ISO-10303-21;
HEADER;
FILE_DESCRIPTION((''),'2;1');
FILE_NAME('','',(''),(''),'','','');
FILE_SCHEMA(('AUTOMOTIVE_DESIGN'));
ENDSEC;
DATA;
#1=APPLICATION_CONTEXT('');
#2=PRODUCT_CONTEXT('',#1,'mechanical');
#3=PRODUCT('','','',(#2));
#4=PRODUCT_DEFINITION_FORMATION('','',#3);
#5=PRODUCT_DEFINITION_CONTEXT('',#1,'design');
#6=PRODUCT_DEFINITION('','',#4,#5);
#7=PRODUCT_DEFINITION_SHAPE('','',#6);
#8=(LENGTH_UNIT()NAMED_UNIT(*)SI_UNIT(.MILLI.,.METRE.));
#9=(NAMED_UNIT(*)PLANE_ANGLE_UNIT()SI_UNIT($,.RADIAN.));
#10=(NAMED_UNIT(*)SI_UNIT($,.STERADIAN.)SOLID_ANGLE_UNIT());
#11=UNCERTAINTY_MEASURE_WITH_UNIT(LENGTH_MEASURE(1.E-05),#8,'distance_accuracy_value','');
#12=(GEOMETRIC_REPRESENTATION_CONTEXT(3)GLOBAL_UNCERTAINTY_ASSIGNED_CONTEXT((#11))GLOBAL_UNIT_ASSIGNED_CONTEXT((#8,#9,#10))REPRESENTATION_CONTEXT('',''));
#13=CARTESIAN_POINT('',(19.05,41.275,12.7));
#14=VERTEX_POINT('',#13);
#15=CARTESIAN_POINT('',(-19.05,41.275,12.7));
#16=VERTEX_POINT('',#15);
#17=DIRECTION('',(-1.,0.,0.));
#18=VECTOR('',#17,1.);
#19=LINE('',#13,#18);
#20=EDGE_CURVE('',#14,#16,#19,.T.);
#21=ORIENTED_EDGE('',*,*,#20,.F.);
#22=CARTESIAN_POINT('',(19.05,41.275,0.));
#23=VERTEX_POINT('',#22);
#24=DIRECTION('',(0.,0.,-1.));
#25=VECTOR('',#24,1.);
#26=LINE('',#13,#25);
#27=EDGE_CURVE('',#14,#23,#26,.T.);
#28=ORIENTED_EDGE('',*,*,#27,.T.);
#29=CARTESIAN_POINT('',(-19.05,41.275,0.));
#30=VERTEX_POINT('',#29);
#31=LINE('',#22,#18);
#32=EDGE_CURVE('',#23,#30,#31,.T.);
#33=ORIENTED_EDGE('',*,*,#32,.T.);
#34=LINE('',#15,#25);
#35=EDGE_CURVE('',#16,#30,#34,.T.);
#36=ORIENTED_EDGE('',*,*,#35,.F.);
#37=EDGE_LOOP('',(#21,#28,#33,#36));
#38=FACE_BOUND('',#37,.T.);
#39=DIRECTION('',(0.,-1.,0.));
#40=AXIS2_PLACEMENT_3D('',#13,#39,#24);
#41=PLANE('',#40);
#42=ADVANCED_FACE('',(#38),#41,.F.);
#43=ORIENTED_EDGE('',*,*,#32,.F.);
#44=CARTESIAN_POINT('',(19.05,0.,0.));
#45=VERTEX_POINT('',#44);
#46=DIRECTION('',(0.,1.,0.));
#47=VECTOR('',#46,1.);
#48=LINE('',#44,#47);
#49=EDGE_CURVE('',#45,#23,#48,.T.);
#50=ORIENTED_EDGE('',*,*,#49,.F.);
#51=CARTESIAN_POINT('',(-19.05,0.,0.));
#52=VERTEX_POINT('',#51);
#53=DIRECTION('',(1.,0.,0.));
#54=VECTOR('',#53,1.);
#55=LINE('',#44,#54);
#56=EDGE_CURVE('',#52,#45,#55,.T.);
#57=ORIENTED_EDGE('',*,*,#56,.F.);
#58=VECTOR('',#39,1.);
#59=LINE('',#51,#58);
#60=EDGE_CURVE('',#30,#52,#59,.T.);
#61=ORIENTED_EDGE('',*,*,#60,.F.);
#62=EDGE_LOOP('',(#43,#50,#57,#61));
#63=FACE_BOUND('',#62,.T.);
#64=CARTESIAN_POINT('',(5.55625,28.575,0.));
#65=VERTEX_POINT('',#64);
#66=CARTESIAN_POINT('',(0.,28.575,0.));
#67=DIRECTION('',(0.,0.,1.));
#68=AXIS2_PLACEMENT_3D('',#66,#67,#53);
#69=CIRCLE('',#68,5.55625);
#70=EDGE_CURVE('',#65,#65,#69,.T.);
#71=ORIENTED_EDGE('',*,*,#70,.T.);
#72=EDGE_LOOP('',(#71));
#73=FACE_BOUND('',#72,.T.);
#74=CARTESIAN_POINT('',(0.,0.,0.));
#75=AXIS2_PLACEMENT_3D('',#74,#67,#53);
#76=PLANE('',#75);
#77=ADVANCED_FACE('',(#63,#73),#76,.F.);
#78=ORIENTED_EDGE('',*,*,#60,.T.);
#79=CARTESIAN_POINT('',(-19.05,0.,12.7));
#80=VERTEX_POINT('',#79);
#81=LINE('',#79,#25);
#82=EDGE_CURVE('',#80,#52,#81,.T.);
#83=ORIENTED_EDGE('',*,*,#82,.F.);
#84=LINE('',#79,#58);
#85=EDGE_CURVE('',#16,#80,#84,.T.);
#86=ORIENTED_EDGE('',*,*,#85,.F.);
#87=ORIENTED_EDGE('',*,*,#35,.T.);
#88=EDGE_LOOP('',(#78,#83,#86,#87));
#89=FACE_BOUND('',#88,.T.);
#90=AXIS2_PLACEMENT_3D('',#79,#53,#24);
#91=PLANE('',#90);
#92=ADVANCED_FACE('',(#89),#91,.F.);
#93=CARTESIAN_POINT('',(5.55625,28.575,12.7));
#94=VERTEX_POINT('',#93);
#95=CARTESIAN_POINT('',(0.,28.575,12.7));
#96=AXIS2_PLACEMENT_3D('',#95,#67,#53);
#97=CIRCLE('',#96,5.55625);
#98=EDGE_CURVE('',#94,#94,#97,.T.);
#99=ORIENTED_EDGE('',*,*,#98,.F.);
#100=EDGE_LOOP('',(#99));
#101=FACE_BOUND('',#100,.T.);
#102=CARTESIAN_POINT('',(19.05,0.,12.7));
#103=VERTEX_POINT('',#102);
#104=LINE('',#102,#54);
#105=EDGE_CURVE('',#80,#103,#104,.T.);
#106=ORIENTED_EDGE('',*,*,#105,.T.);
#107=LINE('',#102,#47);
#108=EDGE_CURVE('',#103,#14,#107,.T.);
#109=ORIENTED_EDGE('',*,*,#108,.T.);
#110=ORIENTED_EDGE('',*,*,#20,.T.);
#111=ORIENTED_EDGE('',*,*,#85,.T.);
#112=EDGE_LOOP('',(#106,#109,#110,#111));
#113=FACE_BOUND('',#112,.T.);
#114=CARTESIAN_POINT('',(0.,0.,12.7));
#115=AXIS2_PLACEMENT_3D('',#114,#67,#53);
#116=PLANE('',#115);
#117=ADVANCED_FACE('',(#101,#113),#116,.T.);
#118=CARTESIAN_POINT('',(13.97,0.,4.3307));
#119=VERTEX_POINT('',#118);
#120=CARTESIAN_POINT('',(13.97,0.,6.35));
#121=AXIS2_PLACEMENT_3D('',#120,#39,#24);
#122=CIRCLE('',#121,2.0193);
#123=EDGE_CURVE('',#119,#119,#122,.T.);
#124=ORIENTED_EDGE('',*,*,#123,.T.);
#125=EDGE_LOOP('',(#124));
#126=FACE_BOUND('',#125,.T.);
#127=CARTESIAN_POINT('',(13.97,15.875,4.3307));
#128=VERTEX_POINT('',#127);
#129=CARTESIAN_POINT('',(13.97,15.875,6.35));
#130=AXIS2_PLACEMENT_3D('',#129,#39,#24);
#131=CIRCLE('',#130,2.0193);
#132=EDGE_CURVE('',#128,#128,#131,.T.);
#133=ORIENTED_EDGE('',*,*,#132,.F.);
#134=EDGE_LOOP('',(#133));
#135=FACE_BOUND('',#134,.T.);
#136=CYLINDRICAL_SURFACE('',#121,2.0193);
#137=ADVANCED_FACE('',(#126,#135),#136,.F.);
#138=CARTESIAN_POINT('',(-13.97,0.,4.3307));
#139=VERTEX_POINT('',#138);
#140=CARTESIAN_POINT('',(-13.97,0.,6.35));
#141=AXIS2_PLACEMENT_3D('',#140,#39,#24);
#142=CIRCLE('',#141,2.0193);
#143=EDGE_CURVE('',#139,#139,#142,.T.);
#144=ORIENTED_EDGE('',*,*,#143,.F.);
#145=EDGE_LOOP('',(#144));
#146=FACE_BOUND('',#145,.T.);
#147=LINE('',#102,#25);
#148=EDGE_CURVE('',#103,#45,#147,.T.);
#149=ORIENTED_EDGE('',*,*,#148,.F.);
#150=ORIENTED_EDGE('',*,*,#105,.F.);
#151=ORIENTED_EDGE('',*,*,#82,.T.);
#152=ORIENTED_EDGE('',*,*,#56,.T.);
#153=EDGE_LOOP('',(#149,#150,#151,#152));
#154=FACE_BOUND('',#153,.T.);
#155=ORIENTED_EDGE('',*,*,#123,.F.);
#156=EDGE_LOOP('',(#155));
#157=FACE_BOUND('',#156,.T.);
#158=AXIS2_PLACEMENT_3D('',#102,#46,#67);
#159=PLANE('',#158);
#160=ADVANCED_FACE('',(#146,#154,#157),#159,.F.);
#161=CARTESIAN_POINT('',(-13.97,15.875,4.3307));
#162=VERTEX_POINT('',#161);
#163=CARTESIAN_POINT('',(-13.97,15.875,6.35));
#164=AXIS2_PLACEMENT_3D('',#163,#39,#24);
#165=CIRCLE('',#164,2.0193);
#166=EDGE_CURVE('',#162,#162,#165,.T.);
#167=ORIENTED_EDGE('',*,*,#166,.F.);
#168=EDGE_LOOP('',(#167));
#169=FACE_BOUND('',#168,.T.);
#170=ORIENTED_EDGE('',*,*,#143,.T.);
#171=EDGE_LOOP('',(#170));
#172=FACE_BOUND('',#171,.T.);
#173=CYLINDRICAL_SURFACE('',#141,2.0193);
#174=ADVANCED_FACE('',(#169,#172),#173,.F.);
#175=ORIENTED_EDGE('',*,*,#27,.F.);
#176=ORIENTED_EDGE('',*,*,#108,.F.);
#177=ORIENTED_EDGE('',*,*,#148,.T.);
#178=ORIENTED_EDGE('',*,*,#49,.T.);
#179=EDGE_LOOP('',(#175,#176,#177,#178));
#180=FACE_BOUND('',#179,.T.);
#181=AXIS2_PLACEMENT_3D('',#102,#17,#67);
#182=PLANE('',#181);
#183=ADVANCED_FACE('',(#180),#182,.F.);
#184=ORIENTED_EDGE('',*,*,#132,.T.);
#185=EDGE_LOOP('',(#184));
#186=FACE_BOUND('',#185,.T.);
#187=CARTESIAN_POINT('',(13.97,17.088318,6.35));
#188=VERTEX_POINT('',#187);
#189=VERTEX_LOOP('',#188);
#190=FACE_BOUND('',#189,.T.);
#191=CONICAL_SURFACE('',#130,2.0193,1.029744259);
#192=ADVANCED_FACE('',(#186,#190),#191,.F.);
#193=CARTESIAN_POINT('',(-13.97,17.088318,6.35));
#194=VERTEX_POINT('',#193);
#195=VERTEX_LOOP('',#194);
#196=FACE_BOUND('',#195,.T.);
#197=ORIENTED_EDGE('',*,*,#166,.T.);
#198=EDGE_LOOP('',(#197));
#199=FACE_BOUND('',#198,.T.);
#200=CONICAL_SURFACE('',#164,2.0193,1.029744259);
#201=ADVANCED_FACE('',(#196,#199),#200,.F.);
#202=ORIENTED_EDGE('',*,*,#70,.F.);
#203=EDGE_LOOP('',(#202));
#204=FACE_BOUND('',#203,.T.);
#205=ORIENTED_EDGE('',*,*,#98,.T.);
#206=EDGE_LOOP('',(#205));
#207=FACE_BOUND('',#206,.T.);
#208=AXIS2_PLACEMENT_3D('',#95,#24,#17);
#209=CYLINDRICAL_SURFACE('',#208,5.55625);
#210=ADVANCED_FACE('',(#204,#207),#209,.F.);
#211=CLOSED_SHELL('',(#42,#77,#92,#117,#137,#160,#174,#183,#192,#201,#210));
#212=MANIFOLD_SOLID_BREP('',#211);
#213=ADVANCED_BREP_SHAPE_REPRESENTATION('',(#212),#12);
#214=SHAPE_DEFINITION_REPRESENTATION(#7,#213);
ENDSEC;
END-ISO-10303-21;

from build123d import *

# Parameters (mm, degrees)
SKETCH1_W                  = 38.1
SKETCH1_H                  = 41.275
SKETCH1_R                  = 5.55625
BOSS_EXTRUDE1_DEPTH        = 12.7
F_10_32_TAPPED_HOLE1_D     = 4.0386
F_10_32_TAPPED_HOLE1_DEPTH = 15.875
F_10_32_TAPPED_HOLE1_TIP   = 1.213317848


with BuildPart() as part:
    # Sketch1 → Boss-Extrude1 (new body)
    with BuildSketch(Plane.XY):
        with Locations((0, 20.6375)):
            Rectangle(SKETCH1_W, SKETCH1_H)
        with Locations((0, 28.575)):
            Circle(SKETCH1_R, mode=Mode.SUBTRACT)
    extrude(amount=BOSS_EXTRUDE1_DEPTH)

    # #10-32 Tapped Hole1
    with Locations(Plane(origin=(0, 0, 0), x_dir=(-1, 0, 0), z_dir=(0, -1, 0))):
        with Locations((-13.97, -6.35), (13.97, -6.35)):
            Hole(F_10_32_TAPPED_HOLE1_D / 2, depth=F_10_32_TAPPED_HOLE1_DEPTH)
            with Locations((0, 0, -(F_10_32_TAPPED_HOLE1_DEPTH + F_10_32_TAPPED_HOLE1_TIP / 2))):  # 118° drill point
                Cone(0, F_10_32_TAPPED_HOLE1_D / 2, F_10_32_TAPPED_HOLE1_TIP, mode=Mode.SUBTRACT)


solid = part.part
